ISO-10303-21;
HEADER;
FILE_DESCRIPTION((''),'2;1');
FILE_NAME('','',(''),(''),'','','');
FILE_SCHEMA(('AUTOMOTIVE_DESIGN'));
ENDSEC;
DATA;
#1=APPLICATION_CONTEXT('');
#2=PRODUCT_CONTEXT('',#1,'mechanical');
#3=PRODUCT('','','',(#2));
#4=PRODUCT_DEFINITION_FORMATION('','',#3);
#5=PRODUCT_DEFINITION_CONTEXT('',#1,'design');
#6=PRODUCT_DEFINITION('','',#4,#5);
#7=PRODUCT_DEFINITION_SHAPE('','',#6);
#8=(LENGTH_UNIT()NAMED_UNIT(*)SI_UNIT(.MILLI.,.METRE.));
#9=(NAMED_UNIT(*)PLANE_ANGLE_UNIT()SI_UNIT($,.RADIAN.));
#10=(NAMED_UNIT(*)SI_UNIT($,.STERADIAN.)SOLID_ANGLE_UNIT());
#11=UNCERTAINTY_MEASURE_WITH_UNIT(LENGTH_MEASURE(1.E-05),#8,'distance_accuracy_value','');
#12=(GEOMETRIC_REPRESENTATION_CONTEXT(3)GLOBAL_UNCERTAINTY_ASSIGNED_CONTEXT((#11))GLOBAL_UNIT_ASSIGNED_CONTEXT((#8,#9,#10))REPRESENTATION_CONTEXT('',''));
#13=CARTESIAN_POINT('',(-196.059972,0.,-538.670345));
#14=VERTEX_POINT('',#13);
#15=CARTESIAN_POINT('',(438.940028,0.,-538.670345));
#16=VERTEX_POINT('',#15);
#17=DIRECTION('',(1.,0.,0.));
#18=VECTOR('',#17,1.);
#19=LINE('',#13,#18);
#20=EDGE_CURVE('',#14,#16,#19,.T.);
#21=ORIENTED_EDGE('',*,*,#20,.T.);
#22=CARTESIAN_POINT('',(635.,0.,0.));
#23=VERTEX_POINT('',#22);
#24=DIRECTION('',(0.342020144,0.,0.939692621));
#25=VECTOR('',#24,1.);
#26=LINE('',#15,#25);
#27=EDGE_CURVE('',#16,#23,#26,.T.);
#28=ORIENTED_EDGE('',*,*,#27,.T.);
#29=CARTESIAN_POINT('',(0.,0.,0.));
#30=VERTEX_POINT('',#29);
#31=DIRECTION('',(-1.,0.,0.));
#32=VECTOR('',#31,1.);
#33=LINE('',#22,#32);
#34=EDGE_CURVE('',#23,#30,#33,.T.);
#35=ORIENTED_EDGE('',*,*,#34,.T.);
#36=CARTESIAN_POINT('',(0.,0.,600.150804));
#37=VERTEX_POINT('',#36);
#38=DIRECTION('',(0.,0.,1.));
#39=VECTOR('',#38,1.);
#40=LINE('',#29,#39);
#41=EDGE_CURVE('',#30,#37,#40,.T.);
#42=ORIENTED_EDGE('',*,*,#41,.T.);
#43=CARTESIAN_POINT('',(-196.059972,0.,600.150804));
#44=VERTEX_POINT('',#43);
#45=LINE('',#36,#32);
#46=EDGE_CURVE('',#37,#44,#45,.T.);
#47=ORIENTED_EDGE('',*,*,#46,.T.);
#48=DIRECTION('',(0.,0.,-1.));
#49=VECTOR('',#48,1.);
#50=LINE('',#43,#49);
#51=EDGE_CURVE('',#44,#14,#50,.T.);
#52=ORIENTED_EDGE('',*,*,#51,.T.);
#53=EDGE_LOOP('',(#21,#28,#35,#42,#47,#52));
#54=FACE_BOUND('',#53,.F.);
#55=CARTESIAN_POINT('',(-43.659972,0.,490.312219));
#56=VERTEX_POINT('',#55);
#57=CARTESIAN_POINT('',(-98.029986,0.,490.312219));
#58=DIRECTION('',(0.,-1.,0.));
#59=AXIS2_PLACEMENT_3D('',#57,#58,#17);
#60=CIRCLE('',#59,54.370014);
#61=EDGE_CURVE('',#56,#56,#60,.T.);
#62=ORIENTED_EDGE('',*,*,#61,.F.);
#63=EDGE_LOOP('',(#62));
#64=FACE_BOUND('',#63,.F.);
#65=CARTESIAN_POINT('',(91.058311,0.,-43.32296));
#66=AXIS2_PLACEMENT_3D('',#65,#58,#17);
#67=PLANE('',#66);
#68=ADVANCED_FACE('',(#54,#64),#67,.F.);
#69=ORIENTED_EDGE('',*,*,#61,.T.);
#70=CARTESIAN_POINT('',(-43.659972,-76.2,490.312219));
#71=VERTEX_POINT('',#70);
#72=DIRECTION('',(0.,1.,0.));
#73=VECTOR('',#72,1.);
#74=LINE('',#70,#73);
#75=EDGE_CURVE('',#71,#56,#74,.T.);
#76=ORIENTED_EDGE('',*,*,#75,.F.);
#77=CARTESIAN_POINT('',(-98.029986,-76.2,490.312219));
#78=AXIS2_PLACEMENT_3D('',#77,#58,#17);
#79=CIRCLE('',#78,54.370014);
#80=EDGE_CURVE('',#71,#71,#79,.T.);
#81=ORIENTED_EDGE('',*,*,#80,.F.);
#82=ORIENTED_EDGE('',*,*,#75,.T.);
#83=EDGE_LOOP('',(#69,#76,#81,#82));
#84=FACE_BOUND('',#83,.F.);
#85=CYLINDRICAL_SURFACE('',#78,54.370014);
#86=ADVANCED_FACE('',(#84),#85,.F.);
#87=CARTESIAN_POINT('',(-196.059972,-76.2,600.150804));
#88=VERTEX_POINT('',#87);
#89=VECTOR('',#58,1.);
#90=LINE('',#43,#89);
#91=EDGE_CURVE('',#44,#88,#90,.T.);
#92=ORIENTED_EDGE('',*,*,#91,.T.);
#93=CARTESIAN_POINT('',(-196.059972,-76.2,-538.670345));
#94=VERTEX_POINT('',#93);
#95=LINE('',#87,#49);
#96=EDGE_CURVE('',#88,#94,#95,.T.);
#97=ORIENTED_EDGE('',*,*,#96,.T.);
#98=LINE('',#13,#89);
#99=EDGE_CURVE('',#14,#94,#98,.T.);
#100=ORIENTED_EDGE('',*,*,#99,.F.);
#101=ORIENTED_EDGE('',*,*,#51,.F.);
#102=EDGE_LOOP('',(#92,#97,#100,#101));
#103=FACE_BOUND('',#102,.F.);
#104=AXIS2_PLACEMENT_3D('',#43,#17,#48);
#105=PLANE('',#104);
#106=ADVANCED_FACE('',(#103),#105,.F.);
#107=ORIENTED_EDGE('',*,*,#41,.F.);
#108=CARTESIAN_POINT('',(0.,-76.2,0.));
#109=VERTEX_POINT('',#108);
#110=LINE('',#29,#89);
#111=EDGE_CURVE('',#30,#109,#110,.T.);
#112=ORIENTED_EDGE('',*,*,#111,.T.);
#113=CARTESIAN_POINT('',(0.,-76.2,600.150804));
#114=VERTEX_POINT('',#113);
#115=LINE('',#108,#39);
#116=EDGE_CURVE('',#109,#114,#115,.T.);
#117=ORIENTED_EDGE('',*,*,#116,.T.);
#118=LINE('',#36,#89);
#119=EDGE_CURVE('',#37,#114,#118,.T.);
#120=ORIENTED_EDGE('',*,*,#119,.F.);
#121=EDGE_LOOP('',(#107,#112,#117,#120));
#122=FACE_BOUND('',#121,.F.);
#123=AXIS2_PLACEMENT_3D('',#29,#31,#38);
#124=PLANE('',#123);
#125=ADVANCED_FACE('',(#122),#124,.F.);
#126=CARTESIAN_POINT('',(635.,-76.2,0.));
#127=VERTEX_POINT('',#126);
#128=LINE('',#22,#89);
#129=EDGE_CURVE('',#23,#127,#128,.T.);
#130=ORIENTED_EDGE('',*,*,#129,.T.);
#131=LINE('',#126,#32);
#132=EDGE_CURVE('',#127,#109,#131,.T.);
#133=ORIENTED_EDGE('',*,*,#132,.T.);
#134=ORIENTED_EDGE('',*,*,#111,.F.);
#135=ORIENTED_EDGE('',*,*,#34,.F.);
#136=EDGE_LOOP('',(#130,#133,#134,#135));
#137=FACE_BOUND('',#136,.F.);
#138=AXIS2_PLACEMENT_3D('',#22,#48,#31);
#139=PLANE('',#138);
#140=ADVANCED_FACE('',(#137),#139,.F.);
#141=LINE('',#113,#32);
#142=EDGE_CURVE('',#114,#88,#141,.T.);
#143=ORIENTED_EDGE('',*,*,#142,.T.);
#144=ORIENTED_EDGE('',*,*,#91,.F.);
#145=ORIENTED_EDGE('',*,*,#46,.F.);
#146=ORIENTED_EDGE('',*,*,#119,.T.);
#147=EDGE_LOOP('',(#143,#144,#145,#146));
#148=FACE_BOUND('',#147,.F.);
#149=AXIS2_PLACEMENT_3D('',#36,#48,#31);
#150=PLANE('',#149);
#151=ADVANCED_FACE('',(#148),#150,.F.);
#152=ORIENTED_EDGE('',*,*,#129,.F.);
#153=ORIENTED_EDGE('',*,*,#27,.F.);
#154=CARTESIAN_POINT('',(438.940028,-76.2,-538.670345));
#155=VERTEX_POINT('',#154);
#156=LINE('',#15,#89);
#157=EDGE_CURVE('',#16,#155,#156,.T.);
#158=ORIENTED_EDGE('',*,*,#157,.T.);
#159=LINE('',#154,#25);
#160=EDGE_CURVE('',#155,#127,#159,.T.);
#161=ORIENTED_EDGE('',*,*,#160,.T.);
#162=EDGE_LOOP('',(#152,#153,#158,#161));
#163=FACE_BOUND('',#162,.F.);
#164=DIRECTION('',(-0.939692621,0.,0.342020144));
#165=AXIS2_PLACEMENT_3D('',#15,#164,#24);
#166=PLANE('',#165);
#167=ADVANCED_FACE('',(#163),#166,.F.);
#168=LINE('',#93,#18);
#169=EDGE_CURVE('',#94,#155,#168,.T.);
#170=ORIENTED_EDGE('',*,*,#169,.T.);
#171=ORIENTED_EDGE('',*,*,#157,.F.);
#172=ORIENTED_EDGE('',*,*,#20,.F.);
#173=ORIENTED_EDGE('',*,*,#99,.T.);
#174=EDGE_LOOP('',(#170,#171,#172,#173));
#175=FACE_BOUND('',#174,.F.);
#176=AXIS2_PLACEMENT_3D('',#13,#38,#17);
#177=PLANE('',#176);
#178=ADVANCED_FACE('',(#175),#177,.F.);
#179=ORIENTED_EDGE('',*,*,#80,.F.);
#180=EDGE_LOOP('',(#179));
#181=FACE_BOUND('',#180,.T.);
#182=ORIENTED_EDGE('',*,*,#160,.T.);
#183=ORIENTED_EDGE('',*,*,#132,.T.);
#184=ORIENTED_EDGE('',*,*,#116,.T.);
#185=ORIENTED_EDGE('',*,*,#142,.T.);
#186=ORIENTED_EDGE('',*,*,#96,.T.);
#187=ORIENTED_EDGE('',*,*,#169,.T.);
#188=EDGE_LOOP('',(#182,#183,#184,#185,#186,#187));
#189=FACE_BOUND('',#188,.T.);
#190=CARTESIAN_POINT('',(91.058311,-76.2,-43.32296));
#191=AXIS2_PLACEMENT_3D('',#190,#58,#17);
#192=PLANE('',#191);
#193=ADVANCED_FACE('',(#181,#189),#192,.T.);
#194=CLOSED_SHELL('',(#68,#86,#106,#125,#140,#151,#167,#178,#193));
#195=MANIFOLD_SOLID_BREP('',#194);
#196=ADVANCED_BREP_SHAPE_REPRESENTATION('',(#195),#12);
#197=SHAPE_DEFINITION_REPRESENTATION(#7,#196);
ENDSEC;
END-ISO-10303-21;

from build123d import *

# Parameters (mm, degrees)
F1_DEPTH = 76.2
F2_R     = 54.370014
F3_DEPTH = 76.2


with BuildPart() as f1:
    # F0 (on Front) → F1 (new body)
    with BuildSketch(Plane.XZ):
        Polygon((0, 600.150804), (-196.059972, 600.150804), (-196.059972, -538.670345), (438.940028, -538.670345), (635, 0), (0, 0), align=None)
    extrude(amount=F1_DEPTH)

    # F2 (on face) → F3 (cut)
    with BuildSketch(Plane.XZ.offset(76.2)):
        with Locations((-98.029986, 490.312219)):
            Circle(F2_R)
    extrude(amount=-F3_DEPTH, mode=Mode.SUBTRACT)


solid = f1.part
